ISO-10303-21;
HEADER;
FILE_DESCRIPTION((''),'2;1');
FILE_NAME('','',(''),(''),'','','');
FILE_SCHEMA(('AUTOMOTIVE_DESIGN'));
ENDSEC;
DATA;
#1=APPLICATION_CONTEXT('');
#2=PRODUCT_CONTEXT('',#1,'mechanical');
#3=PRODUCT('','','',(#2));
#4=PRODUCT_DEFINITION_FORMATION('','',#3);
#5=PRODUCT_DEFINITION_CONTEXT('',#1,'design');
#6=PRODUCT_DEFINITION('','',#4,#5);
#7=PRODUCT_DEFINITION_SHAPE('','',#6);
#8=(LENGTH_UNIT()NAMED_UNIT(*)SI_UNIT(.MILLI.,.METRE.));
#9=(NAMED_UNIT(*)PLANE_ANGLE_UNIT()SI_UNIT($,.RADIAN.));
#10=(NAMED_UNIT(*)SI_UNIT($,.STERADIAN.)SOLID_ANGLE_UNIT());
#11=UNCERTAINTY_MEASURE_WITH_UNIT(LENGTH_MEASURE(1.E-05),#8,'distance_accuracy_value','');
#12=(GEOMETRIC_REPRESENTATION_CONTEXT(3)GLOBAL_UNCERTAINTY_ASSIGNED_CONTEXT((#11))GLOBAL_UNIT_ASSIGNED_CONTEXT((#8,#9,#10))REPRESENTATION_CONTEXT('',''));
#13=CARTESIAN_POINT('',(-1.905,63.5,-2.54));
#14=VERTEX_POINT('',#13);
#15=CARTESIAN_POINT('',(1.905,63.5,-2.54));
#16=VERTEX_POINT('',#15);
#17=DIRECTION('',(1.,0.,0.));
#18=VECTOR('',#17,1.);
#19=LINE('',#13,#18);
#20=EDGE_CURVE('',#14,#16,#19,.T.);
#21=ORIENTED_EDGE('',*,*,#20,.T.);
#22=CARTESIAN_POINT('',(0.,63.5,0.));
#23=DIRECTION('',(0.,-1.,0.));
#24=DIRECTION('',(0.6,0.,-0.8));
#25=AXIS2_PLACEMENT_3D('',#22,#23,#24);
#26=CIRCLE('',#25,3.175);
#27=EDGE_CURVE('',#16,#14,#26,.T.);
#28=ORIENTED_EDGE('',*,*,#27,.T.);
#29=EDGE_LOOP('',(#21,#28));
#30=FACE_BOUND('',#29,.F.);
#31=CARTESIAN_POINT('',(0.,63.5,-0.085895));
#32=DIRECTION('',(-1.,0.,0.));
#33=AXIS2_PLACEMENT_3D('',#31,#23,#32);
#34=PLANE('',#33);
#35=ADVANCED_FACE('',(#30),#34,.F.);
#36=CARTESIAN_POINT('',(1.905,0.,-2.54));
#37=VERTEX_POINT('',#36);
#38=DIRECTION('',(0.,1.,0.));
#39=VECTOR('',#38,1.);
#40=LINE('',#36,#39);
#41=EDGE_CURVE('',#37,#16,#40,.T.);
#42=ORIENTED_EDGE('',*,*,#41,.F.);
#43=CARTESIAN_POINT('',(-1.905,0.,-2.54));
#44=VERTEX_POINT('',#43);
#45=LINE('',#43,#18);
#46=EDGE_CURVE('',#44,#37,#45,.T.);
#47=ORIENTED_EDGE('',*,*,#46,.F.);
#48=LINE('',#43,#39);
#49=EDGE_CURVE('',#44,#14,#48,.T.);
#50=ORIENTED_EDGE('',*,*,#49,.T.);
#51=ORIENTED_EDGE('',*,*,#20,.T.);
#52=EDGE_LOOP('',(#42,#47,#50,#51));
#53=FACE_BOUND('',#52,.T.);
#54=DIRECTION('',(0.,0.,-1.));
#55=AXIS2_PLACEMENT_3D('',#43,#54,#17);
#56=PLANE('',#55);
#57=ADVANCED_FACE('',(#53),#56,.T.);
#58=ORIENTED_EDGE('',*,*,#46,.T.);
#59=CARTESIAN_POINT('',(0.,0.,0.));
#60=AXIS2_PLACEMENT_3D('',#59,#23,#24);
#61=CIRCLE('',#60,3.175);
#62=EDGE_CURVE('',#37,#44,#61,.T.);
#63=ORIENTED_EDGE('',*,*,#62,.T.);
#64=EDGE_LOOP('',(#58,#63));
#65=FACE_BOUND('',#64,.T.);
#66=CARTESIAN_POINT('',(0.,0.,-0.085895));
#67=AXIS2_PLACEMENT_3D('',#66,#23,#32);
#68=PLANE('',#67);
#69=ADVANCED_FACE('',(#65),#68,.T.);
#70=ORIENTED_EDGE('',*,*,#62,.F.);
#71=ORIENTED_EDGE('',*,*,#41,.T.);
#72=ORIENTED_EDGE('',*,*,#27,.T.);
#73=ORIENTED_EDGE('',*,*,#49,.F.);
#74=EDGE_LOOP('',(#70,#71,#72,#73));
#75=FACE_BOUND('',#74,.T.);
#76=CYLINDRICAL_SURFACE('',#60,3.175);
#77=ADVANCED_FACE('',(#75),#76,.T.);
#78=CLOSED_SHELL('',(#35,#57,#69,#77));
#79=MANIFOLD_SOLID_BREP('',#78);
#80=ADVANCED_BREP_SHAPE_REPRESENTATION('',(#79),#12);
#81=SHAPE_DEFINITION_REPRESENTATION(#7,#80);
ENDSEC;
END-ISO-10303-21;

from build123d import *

# Parameters (mm, degrees)
BOSS_EXTRUDE1_DEPTH = 63.5


with BuildPart() as part:
    # Sketch1 → Boss-Extrude1 (new body)
    with BuildSketch(Plane(origin=(0, 0, 0), x_dir=(1, 0, 0), z_dir=(0, 1, 0))):
        with BuildLine():
            Line((-1.905, 2.54), (1.905, 2.54))
            ThreePointArc((1.905, 2.54), (0, -3.175), (-1.905, 2.54))
        make_face()
    extrude(amount=BOSS_EXTRUDE1_DEPTH)


solid = part.part
